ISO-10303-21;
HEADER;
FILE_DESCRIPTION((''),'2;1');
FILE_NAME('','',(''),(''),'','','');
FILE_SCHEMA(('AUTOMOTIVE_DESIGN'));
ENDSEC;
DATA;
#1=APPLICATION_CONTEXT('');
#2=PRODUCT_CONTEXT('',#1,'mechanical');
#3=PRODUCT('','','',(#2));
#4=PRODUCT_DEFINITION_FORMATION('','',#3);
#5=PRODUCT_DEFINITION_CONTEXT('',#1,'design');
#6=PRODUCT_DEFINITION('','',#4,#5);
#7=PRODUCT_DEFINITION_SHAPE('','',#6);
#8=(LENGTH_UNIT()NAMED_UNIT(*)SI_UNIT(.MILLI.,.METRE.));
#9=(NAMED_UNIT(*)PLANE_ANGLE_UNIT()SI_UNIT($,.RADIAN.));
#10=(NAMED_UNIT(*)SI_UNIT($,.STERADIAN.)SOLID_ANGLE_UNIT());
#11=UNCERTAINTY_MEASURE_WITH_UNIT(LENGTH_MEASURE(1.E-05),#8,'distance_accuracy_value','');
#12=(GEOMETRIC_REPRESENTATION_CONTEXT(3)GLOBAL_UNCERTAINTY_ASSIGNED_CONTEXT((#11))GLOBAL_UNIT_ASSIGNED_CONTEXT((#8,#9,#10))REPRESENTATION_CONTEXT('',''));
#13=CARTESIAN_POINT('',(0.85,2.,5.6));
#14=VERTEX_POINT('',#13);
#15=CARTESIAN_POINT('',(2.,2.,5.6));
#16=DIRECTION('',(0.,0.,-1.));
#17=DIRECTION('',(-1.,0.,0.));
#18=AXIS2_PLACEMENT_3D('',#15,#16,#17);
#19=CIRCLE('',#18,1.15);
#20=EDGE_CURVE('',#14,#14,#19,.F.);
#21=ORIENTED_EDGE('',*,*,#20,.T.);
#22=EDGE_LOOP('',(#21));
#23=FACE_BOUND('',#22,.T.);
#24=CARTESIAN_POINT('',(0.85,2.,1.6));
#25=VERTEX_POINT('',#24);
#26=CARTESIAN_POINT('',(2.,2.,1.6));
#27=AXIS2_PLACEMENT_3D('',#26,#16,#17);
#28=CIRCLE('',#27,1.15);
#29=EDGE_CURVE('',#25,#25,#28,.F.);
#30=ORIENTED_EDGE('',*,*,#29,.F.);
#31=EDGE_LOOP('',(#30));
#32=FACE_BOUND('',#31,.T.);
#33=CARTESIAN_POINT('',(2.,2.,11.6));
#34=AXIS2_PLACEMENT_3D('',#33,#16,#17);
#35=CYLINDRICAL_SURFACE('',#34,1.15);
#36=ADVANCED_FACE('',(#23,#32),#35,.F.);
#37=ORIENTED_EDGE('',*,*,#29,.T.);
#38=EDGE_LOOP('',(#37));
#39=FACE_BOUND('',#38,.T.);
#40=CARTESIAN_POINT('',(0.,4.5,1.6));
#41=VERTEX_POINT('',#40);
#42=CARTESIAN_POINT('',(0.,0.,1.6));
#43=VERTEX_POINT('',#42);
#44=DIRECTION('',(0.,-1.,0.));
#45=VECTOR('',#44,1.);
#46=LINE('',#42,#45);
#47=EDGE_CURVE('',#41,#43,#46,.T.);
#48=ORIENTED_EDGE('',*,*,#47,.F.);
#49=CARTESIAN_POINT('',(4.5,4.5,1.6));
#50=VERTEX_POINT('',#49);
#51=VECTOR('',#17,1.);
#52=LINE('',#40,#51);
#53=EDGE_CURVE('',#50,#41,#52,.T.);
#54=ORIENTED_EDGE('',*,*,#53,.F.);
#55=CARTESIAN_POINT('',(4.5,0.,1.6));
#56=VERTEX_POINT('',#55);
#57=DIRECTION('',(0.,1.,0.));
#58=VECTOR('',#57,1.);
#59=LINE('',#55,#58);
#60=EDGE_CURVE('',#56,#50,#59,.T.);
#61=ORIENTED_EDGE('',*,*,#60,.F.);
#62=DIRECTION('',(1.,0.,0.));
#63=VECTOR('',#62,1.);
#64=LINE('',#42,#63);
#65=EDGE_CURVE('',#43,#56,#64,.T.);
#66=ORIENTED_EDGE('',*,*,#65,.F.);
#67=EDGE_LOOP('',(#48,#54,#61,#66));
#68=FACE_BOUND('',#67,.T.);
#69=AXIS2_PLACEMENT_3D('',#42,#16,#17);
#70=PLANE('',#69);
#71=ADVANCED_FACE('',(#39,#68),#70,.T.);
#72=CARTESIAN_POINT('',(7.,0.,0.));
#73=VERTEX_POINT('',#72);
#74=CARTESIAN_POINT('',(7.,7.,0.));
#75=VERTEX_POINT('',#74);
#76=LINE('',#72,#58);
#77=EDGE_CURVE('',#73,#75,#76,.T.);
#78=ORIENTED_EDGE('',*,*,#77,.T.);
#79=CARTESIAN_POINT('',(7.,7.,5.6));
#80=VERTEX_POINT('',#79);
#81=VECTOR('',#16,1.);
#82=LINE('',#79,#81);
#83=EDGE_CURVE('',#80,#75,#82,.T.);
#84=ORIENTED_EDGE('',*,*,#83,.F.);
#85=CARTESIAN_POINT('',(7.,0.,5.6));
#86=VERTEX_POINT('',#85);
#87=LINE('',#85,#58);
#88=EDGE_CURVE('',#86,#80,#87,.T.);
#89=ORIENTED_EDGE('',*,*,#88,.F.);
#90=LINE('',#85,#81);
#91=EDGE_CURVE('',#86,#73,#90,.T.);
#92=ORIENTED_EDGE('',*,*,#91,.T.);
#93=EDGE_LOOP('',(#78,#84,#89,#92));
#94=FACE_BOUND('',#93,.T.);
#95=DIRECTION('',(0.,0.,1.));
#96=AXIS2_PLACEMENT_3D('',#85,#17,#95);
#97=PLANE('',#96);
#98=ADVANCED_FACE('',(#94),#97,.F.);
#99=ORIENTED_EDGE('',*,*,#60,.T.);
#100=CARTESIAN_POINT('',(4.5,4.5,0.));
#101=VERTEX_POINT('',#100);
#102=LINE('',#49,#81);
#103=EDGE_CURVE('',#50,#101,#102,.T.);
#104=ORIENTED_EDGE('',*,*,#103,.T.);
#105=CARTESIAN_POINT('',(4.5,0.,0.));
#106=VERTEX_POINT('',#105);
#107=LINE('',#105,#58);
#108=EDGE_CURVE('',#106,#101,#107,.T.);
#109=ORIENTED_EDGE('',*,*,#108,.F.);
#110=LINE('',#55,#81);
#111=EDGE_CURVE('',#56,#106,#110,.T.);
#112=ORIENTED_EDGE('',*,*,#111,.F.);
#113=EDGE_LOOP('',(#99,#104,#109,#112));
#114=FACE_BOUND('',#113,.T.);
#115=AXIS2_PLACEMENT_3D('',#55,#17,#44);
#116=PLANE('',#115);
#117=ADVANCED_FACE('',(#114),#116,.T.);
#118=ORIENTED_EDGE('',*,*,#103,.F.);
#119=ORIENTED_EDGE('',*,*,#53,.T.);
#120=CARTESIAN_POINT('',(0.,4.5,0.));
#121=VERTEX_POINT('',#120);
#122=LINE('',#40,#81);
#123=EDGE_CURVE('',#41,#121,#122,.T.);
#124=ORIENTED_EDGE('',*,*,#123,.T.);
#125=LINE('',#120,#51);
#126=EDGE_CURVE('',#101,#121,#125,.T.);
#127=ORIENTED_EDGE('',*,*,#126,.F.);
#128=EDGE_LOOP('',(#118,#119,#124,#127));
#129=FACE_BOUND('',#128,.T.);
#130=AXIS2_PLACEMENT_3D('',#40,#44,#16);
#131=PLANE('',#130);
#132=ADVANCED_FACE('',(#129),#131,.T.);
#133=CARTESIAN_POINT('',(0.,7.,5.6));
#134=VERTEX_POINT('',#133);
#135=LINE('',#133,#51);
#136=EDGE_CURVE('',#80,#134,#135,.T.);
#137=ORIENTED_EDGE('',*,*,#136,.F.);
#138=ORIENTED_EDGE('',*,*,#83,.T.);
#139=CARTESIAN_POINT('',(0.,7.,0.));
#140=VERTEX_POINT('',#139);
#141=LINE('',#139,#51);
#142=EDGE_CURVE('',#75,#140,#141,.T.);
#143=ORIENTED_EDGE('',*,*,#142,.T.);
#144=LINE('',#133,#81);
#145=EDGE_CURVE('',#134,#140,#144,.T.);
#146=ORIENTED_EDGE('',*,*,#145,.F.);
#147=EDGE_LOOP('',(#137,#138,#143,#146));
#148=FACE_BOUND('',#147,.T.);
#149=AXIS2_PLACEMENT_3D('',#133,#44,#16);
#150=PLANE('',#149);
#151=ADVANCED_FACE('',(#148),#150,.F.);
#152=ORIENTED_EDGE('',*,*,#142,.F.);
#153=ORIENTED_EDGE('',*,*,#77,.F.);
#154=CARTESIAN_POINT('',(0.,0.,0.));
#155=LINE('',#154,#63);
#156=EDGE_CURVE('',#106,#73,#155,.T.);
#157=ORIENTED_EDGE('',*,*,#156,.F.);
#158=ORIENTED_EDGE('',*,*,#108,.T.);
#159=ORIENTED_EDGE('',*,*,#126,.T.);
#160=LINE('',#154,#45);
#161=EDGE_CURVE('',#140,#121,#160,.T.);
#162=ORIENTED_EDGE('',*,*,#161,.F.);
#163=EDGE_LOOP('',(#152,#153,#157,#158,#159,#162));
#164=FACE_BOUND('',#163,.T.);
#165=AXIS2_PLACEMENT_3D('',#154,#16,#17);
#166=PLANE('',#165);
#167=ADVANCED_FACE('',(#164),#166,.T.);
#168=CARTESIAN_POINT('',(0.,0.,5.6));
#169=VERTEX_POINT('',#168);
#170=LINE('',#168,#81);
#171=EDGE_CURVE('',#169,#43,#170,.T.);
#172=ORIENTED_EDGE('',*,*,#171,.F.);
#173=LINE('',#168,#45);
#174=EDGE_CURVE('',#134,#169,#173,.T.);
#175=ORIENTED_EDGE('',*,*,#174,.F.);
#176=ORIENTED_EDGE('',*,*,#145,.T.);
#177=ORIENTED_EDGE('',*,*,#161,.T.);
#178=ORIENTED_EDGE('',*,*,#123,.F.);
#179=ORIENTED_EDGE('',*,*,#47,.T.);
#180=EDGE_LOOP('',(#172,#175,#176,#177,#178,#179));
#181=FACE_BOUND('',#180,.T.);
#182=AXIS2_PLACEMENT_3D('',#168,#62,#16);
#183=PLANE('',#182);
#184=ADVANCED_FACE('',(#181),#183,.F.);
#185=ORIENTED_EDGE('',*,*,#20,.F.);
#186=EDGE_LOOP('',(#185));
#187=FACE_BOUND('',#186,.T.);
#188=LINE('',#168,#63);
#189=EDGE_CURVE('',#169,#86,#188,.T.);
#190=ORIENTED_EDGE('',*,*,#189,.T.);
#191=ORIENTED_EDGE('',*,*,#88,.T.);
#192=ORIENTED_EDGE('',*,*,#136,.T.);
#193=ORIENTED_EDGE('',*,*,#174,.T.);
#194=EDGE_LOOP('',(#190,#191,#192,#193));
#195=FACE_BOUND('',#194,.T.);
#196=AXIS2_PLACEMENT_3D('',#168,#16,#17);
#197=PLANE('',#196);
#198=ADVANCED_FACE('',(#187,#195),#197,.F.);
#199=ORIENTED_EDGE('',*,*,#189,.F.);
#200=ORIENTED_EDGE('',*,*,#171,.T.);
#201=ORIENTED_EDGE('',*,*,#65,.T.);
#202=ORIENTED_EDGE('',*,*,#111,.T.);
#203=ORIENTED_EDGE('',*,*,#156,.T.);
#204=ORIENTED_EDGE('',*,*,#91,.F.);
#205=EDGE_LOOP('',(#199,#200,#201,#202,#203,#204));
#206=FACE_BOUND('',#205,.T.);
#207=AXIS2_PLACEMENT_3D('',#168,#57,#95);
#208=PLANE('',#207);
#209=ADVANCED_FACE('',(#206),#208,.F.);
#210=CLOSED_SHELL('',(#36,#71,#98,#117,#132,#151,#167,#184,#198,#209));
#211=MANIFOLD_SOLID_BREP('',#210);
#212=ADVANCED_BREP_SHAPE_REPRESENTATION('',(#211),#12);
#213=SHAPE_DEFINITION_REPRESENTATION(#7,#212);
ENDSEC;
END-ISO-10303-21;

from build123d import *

# Parameters (mm, degrees)
ESQUISSE1_W             = 7
ESQUISSE1_H             = 7
BOSS_EXTRU_1_DEPTH      = 5.6
ESQUISSE2_W             = 4.5
ESQUISSE2_H             = 4.5
ENL_V_MAT_EXTRU_1_DEPTH = 1.6
ESQUISSE3_R             = 1.15
ENL_V_MAT_EXTRU_2_DEPTH = 11.6


with BuildPart() as part:
    # Esquisse1 → Boss.-Extru.1 (new body)
    with BuildSketch(Plane.XY):
        with Locations((3.5, 3.5)):
            Rectangle(ESQUISSE1_W, ESQUISSE1_H)
    extrude(amount=BOSS_EXTRU_1_DEPTH)

    # Esquisse2 → Enlèv. mat.-Extru.1 (cut)
    with BuildSketch(Plane.XY):
        with Locations((2.25, 2.25)):
            Rectangle(ESQUISSE2_W, ESQUISSE2_H)
    extrude(amount=ENL_V_MAT_EXTRU_1_DEPTH, mode=Mode.SUBTRACT)

    # Esquisse3 → Enlèv. mat.-Extru.2 (cut)
    with BuildSketch(Plane.XY):
        with Locations((2, 2)):
            Circle(ESQUISSE3_R)
    extrude(amount=ENL_V_MAT_EXTRU_2_DEPTH, mode=Mode.SUBTRACT)


solid = part.part
